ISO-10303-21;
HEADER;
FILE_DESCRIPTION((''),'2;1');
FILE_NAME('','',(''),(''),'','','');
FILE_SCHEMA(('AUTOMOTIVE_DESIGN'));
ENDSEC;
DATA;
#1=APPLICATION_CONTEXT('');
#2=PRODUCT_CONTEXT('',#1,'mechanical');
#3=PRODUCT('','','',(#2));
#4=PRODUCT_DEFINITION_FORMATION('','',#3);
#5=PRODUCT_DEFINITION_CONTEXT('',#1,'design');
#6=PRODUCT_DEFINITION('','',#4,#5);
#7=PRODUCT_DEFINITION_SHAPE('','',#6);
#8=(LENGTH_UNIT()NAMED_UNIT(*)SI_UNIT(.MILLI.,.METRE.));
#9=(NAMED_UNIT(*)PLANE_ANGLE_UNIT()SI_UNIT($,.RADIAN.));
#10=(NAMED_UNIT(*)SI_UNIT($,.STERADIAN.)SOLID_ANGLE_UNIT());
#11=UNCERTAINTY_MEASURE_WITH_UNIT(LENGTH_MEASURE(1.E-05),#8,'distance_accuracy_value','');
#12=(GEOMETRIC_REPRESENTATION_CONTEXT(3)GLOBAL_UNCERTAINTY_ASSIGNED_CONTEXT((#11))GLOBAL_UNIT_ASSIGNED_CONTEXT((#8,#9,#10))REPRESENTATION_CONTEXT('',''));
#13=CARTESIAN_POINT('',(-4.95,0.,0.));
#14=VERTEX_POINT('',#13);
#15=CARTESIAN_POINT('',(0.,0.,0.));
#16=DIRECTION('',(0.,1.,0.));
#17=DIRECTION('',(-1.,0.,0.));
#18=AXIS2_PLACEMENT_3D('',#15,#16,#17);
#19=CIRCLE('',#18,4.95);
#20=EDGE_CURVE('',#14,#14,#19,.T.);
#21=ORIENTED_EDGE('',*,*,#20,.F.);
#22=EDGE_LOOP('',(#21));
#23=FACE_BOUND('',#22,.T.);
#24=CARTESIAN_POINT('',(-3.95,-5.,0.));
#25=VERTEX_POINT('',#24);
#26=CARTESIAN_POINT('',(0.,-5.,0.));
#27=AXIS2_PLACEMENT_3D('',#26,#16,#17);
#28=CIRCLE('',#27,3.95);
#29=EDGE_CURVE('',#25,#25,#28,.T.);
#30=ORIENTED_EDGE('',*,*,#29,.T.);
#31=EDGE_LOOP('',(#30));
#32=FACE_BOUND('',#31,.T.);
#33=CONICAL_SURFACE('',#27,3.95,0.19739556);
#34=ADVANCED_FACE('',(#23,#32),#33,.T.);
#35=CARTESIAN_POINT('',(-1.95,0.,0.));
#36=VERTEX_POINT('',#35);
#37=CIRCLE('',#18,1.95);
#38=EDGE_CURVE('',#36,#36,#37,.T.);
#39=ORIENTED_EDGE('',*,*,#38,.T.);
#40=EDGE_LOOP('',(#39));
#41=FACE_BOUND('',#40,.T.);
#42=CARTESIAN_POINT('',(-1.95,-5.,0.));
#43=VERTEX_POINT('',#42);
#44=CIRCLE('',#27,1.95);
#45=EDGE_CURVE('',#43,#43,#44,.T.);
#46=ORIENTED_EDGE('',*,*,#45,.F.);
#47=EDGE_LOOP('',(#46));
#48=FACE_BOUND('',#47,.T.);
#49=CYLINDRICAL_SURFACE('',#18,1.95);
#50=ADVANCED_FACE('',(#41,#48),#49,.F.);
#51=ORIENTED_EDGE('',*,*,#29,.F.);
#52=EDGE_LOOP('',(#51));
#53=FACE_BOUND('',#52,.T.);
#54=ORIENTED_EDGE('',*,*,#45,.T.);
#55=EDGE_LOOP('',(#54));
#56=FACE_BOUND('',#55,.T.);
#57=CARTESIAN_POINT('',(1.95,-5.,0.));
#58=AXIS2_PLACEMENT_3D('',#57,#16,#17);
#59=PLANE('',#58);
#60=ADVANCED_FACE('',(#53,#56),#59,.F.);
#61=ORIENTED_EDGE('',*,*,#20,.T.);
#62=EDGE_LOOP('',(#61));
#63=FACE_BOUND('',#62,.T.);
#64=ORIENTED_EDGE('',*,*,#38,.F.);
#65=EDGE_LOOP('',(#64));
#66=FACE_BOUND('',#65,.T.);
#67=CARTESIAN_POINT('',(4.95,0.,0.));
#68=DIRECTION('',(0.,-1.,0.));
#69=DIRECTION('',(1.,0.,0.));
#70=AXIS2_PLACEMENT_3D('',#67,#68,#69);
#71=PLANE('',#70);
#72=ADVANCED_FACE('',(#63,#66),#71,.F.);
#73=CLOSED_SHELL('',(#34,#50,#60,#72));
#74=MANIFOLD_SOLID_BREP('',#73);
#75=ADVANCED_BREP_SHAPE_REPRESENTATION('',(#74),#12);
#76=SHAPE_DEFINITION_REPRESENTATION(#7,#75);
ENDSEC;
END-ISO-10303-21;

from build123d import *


with BuildPart() as part:
    # Sketch1 → Revolve1 (revolve)
    with BuildSketch(Plane.XY, mode=Mode.PRIVATE) as revolve1_sk:
        Polygon((1.95, 0), (1.95, -5), (3.95, -5), (4.95, 0), align=None)
    revolve(revolve1_sk.sketch.rotate(Axis((0, 0, 0), (0, -1, 0)), 180), axis=Axis((0, 0, 0), (0, -1, 0)))


solid = part.part
